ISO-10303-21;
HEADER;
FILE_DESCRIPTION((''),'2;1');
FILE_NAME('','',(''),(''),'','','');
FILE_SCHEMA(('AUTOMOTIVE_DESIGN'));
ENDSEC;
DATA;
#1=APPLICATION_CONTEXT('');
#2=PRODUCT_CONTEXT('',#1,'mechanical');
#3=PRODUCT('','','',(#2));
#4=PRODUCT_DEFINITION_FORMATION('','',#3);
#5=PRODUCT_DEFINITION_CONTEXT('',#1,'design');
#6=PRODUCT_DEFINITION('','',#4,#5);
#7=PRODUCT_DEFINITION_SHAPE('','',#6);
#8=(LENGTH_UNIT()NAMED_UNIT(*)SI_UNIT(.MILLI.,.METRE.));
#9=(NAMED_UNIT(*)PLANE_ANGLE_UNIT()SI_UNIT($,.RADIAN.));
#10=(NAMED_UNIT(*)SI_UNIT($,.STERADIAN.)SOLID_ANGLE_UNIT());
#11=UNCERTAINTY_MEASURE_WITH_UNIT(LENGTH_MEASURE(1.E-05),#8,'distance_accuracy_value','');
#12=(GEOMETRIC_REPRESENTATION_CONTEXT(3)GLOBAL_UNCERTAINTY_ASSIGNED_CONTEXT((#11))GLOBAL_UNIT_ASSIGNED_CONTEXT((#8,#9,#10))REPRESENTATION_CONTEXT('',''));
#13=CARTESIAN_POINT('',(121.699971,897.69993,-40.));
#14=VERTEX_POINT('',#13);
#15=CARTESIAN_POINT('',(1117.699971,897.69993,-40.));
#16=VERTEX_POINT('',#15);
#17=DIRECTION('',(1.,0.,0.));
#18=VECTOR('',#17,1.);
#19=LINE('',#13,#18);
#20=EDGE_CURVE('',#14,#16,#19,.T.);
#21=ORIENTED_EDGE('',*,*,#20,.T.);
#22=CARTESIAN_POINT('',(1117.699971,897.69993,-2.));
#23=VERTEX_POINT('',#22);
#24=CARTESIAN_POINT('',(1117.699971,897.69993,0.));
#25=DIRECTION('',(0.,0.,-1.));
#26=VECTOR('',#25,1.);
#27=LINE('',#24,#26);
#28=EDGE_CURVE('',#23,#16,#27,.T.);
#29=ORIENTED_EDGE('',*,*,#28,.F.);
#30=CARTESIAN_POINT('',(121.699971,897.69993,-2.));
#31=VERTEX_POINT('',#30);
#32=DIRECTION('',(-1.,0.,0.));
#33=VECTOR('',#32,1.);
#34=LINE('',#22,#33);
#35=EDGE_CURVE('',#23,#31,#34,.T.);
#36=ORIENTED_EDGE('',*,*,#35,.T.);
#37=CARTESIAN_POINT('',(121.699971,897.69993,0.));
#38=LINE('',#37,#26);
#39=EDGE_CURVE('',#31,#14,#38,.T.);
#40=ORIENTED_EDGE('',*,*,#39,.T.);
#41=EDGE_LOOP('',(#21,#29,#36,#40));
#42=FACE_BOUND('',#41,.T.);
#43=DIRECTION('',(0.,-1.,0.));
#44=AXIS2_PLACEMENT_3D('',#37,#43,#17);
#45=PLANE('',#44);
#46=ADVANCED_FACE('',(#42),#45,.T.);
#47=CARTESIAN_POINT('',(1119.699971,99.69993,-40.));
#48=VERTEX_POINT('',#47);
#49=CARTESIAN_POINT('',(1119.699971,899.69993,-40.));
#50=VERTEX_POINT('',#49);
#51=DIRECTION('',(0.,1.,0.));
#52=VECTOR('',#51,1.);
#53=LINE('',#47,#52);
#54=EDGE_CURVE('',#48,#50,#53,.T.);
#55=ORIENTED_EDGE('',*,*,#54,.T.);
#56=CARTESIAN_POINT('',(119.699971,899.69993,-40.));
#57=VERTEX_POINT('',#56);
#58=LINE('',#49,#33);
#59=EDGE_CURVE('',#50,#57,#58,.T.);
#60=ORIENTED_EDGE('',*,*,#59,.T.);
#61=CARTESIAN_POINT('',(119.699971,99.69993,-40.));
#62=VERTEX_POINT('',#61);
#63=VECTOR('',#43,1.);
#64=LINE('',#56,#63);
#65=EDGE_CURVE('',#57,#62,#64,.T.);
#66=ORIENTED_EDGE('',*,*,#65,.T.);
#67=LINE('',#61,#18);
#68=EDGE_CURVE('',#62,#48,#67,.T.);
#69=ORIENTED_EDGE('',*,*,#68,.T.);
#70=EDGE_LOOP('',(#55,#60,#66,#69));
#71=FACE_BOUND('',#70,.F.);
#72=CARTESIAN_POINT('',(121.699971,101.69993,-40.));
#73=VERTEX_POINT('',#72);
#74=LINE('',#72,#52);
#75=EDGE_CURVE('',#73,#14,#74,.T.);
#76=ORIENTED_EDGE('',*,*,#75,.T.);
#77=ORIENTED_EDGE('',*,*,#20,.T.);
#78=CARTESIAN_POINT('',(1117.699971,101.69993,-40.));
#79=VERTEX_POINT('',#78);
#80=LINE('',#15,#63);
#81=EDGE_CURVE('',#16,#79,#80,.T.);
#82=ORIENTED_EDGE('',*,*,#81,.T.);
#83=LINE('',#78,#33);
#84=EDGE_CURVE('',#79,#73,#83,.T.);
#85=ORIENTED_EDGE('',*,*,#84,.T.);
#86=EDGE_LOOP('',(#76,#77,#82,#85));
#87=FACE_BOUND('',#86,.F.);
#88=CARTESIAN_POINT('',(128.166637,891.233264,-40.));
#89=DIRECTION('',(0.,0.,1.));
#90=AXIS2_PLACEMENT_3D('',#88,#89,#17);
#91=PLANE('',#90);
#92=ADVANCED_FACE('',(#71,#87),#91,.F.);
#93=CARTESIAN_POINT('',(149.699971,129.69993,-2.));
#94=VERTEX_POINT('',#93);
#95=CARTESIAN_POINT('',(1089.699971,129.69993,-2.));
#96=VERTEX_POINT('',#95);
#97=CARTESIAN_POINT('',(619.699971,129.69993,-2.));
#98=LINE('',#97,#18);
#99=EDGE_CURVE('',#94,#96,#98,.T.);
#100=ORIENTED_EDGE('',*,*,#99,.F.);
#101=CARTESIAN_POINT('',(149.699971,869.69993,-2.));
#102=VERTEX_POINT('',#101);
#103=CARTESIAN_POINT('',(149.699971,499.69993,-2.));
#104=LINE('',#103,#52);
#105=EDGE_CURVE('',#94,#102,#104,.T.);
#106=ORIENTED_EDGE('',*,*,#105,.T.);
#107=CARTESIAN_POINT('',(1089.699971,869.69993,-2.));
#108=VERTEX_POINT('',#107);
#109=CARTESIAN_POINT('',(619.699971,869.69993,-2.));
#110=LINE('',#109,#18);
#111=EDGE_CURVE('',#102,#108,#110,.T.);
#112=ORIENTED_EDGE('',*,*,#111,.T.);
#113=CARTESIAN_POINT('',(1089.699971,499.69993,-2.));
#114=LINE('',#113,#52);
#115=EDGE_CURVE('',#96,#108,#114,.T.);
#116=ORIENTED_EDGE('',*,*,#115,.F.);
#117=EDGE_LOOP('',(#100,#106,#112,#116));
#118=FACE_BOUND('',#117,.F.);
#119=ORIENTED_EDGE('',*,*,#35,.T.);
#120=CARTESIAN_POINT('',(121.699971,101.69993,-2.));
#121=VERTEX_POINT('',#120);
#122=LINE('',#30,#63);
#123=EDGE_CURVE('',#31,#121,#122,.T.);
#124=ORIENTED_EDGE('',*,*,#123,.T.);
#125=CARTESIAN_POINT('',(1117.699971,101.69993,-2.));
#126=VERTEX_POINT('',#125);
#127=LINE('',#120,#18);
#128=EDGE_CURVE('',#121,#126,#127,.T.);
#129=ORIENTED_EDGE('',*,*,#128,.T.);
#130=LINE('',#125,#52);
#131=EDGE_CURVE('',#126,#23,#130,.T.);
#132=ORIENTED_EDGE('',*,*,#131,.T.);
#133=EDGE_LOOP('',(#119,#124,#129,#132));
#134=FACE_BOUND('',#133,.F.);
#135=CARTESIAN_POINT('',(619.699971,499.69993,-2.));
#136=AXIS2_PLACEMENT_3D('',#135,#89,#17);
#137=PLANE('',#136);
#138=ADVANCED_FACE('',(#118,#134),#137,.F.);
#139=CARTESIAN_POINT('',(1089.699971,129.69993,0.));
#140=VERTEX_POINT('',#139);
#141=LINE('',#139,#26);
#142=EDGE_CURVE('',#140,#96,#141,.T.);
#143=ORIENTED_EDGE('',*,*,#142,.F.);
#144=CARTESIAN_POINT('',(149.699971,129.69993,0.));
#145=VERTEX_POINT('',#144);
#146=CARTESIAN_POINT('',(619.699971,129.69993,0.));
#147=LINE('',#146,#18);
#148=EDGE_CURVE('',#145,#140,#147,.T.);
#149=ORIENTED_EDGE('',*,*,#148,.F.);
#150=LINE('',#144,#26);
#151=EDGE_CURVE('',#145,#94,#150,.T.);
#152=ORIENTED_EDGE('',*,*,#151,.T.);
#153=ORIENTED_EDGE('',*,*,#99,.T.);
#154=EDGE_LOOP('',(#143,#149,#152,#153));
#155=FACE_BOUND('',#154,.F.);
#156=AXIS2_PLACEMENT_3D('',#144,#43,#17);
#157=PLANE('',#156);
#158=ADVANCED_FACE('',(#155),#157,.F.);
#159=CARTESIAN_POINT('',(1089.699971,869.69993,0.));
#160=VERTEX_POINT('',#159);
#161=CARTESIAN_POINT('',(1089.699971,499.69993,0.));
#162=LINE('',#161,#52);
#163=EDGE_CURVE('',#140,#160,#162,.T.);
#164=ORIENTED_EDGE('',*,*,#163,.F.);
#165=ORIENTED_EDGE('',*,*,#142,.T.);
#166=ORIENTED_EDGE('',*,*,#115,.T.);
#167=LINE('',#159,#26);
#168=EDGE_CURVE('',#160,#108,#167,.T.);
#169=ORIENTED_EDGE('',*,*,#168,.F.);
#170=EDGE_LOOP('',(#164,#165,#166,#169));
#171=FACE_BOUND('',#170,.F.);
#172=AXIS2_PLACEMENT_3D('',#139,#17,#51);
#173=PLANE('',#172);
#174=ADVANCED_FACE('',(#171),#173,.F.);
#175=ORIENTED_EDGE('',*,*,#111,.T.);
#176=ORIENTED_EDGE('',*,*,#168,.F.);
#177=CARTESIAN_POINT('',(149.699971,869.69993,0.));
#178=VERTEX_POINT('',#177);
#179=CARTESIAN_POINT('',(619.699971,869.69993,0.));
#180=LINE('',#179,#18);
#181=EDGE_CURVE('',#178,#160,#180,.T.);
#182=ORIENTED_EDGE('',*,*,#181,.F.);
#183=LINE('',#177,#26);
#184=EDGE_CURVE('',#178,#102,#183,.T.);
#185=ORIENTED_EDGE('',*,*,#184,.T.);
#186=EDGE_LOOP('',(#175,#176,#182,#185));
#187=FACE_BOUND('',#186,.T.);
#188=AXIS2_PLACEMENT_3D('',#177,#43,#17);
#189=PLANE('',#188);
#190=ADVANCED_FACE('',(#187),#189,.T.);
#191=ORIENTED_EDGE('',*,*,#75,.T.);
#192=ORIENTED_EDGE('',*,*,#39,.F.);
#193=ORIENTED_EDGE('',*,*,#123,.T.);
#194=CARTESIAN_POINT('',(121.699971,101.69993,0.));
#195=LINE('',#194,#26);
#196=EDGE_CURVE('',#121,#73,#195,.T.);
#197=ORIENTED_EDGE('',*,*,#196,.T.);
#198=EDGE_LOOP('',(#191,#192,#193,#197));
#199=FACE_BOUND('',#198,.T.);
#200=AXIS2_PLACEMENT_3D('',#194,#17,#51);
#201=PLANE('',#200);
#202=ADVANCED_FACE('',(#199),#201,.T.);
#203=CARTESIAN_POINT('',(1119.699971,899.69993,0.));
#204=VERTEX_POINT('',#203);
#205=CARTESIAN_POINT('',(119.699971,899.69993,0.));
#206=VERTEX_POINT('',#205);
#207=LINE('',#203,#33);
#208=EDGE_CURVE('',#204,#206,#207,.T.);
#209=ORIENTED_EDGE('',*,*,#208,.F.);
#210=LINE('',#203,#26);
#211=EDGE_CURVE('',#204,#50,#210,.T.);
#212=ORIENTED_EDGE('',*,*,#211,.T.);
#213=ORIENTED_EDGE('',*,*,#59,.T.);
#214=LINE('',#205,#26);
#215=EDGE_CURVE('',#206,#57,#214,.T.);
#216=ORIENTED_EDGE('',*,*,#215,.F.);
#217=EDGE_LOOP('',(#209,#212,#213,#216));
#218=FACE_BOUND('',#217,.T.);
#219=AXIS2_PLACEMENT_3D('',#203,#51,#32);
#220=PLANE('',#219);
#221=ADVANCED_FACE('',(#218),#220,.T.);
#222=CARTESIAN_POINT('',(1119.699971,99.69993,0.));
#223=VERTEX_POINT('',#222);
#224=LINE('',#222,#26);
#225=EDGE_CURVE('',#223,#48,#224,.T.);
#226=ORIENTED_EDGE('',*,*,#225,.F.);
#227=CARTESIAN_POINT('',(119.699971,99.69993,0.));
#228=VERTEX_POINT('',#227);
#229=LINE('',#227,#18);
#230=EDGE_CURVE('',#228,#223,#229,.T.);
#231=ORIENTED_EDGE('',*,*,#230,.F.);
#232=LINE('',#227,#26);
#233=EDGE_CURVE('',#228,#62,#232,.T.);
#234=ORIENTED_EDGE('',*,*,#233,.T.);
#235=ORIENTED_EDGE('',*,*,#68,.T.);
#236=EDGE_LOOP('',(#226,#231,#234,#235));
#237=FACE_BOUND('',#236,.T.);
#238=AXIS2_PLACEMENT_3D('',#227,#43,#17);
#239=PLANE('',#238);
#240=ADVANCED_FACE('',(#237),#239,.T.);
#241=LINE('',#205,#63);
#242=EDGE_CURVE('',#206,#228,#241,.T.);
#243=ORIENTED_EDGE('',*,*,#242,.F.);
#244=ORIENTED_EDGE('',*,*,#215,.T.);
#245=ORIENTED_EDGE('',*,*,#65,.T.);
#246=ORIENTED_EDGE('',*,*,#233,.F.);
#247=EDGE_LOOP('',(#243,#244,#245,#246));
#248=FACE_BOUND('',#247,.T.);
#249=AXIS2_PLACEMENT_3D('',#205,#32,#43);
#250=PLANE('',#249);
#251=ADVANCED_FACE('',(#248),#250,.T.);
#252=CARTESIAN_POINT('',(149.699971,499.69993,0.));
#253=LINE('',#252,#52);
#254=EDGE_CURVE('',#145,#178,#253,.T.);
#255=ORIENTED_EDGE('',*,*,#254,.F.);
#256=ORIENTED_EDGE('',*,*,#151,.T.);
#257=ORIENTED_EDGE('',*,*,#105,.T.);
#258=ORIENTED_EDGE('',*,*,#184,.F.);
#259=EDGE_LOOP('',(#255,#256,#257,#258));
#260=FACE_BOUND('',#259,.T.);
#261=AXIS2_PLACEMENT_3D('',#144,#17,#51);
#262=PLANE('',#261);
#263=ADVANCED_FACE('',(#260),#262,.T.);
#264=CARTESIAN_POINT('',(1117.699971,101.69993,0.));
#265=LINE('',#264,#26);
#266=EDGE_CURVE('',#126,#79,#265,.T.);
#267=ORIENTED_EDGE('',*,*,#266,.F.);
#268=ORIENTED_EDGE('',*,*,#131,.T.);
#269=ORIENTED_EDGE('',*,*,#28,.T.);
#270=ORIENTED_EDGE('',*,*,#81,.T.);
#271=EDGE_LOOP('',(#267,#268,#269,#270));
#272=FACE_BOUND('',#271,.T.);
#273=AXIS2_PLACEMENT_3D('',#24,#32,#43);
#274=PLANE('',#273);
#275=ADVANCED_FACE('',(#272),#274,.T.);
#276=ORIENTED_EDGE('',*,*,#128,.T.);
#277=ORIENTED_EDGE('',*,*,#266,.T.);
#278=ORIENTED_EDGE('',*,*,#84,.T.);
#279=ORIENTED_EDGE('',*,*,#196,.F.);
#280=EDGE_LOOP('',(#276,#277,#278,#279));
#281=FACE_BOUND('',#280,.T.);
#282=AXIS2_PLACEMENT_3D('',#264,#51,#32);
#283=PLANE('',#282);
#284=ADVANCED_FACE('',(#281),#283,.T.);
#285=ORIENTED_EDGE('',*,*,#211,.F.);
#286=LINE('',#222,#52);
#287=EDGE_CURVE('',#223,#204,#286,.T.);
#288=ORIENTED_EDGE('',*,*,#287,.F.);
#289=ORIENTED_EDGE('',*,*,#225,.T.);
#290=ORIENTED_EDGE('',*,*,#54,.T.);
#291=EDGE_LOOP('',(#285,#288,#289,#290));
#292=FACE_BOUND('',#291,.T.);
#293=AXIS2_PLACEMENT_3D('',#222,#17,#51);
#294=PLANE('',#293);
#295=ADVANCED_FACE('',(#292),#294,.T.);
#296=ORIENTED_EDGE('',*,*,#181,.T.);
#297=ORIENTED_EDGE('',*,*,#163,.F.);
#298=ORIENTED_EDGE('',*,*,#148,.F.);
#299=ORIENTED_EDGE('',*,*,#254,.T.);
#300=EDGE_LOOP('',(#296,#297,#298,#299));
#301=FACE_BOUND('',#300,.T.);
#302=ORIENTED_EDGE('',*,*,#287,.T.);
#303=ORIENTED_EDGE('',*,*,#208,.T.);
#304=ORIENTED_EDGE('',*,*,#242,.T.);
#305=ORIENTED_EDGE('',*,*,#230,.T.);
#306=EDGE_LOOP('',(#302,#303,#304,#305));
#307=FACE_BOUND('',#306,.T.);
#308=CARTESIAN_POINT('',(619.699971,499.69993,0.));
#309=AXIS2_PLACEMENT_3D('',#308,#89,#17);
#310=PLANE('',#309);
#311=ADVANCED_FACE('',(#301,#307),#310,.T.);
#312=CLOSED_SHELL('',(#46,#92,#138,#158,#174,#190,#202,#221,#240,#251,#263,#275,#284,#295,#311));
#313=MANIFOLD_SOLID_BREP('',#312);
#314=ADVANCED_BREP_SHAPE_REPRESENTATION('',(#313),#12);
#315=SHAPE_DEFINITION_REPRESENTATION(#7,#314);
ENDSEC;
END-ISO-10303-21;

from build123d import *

# Parameters (mm, degrees)
F0_W     = 940
F0_H     = 2
F0_W_2   = 2
F0_H_2   = 28
F0_W_3   = 28
F1_DEPTH = 40
F0_H_3   = 740
F2_DEPTH = 2


with BuildPart() as f1:
    # F0 (on Top) → F1 (new body)
    with BuildSketch(Plane.XY):
        Polygon((119.6999707818, 869.6999302506), (121.6999707818, 869.6999302506), (121.6999707818, 897.6999302506), (149.6999707818, 897.6999302506), (149.6999707818, 899.6999302506), (119.6999707818, 899.6999302506), align=None)
        with Locations((619.6999707818, 898.6999302506)):
            Rectangle(F0_W, F0_H)
        Polygon((119.6999707818, 179.6999302506), (119.6999707818, 129.6999302506), (121.6999707818, 129.6999302506), (121.6999707818, 869.6999302506), (119.6999707818, 869.6999302506), align=None)
        Polygon((1117.6999707818, 897.6999302506), (1117.6999707818, 869.6999302506), (1119.6999707818, 869.6999302506), (1119.6999707818, 899.6999302506), (1089.6999707818, 899.6999302506), (1089.6999707818, 897.6999302506), align=None)
        Polygon((1117.6999707818, 869.6999302506), (1117.6999707818, 129.6999302506), (1119.6999707818, 129.6999302506), (1119.6999707818, 179.6999302506), (1119.6999707818, 869.6999302506), align=None)
        with Locations((1118.6999707818, 115.6999302506)):
            Rectangle(F0_W_2, F0_H_2)
        with Locations((1118.6999707818, 100.6999302506)):
            Rectangle(F0_W_2, F0_H)
        with Locations((1103.6999707818, 100.6999302506)):
            Rectangle(F0_W_3, F0_H)
        with Locations((619.6999707818, 100.6999302506)):
            Rectangle(F0_W, F0_H)
        with Locations((135.6999707818, 100.6999302506)):
            Rectangle(F0_W_3, F0_H)
        with Locations((120.6999707818, 100.6999302506)):
            Rectangle(F0_W_2, F0_H)
        with Locations((120.6999707818, 115.6999302506)):
            Rectangle(F0_W_2, F0_H_2)
    extrude(amount=-F1_DEPTH)

    # F0 (on Top) → F2 (join)
    with BuildSketch(Plane.XY):
        Polygon((121.6999707818, 129.6999302506), (121.6999707818, 101.6999302506), (149.6999707818, 101.6999302506), (1089.6999707818, 101.6999302506), (1117.6999707818, 101.6999302506), (1117.6999707818, 129.6999302506), (1117.6999707818, 869.6999302506), (1117.6999707818, 897.6999302506), (1089.6999707818, 897.6999302506), (149.6999707818, 897.6999302506), (121.6999707818, 897.6999302506), (121.6999707818, 869.6999302506), align=None)
        with Locations((619.6999707818, 499.6999302506)):
            Rectangle(F0_W, F0_H_3, mode=Mode.SUBTRACT)
    extrude(amount=-F2_DEPTH)


solid = f1.part
